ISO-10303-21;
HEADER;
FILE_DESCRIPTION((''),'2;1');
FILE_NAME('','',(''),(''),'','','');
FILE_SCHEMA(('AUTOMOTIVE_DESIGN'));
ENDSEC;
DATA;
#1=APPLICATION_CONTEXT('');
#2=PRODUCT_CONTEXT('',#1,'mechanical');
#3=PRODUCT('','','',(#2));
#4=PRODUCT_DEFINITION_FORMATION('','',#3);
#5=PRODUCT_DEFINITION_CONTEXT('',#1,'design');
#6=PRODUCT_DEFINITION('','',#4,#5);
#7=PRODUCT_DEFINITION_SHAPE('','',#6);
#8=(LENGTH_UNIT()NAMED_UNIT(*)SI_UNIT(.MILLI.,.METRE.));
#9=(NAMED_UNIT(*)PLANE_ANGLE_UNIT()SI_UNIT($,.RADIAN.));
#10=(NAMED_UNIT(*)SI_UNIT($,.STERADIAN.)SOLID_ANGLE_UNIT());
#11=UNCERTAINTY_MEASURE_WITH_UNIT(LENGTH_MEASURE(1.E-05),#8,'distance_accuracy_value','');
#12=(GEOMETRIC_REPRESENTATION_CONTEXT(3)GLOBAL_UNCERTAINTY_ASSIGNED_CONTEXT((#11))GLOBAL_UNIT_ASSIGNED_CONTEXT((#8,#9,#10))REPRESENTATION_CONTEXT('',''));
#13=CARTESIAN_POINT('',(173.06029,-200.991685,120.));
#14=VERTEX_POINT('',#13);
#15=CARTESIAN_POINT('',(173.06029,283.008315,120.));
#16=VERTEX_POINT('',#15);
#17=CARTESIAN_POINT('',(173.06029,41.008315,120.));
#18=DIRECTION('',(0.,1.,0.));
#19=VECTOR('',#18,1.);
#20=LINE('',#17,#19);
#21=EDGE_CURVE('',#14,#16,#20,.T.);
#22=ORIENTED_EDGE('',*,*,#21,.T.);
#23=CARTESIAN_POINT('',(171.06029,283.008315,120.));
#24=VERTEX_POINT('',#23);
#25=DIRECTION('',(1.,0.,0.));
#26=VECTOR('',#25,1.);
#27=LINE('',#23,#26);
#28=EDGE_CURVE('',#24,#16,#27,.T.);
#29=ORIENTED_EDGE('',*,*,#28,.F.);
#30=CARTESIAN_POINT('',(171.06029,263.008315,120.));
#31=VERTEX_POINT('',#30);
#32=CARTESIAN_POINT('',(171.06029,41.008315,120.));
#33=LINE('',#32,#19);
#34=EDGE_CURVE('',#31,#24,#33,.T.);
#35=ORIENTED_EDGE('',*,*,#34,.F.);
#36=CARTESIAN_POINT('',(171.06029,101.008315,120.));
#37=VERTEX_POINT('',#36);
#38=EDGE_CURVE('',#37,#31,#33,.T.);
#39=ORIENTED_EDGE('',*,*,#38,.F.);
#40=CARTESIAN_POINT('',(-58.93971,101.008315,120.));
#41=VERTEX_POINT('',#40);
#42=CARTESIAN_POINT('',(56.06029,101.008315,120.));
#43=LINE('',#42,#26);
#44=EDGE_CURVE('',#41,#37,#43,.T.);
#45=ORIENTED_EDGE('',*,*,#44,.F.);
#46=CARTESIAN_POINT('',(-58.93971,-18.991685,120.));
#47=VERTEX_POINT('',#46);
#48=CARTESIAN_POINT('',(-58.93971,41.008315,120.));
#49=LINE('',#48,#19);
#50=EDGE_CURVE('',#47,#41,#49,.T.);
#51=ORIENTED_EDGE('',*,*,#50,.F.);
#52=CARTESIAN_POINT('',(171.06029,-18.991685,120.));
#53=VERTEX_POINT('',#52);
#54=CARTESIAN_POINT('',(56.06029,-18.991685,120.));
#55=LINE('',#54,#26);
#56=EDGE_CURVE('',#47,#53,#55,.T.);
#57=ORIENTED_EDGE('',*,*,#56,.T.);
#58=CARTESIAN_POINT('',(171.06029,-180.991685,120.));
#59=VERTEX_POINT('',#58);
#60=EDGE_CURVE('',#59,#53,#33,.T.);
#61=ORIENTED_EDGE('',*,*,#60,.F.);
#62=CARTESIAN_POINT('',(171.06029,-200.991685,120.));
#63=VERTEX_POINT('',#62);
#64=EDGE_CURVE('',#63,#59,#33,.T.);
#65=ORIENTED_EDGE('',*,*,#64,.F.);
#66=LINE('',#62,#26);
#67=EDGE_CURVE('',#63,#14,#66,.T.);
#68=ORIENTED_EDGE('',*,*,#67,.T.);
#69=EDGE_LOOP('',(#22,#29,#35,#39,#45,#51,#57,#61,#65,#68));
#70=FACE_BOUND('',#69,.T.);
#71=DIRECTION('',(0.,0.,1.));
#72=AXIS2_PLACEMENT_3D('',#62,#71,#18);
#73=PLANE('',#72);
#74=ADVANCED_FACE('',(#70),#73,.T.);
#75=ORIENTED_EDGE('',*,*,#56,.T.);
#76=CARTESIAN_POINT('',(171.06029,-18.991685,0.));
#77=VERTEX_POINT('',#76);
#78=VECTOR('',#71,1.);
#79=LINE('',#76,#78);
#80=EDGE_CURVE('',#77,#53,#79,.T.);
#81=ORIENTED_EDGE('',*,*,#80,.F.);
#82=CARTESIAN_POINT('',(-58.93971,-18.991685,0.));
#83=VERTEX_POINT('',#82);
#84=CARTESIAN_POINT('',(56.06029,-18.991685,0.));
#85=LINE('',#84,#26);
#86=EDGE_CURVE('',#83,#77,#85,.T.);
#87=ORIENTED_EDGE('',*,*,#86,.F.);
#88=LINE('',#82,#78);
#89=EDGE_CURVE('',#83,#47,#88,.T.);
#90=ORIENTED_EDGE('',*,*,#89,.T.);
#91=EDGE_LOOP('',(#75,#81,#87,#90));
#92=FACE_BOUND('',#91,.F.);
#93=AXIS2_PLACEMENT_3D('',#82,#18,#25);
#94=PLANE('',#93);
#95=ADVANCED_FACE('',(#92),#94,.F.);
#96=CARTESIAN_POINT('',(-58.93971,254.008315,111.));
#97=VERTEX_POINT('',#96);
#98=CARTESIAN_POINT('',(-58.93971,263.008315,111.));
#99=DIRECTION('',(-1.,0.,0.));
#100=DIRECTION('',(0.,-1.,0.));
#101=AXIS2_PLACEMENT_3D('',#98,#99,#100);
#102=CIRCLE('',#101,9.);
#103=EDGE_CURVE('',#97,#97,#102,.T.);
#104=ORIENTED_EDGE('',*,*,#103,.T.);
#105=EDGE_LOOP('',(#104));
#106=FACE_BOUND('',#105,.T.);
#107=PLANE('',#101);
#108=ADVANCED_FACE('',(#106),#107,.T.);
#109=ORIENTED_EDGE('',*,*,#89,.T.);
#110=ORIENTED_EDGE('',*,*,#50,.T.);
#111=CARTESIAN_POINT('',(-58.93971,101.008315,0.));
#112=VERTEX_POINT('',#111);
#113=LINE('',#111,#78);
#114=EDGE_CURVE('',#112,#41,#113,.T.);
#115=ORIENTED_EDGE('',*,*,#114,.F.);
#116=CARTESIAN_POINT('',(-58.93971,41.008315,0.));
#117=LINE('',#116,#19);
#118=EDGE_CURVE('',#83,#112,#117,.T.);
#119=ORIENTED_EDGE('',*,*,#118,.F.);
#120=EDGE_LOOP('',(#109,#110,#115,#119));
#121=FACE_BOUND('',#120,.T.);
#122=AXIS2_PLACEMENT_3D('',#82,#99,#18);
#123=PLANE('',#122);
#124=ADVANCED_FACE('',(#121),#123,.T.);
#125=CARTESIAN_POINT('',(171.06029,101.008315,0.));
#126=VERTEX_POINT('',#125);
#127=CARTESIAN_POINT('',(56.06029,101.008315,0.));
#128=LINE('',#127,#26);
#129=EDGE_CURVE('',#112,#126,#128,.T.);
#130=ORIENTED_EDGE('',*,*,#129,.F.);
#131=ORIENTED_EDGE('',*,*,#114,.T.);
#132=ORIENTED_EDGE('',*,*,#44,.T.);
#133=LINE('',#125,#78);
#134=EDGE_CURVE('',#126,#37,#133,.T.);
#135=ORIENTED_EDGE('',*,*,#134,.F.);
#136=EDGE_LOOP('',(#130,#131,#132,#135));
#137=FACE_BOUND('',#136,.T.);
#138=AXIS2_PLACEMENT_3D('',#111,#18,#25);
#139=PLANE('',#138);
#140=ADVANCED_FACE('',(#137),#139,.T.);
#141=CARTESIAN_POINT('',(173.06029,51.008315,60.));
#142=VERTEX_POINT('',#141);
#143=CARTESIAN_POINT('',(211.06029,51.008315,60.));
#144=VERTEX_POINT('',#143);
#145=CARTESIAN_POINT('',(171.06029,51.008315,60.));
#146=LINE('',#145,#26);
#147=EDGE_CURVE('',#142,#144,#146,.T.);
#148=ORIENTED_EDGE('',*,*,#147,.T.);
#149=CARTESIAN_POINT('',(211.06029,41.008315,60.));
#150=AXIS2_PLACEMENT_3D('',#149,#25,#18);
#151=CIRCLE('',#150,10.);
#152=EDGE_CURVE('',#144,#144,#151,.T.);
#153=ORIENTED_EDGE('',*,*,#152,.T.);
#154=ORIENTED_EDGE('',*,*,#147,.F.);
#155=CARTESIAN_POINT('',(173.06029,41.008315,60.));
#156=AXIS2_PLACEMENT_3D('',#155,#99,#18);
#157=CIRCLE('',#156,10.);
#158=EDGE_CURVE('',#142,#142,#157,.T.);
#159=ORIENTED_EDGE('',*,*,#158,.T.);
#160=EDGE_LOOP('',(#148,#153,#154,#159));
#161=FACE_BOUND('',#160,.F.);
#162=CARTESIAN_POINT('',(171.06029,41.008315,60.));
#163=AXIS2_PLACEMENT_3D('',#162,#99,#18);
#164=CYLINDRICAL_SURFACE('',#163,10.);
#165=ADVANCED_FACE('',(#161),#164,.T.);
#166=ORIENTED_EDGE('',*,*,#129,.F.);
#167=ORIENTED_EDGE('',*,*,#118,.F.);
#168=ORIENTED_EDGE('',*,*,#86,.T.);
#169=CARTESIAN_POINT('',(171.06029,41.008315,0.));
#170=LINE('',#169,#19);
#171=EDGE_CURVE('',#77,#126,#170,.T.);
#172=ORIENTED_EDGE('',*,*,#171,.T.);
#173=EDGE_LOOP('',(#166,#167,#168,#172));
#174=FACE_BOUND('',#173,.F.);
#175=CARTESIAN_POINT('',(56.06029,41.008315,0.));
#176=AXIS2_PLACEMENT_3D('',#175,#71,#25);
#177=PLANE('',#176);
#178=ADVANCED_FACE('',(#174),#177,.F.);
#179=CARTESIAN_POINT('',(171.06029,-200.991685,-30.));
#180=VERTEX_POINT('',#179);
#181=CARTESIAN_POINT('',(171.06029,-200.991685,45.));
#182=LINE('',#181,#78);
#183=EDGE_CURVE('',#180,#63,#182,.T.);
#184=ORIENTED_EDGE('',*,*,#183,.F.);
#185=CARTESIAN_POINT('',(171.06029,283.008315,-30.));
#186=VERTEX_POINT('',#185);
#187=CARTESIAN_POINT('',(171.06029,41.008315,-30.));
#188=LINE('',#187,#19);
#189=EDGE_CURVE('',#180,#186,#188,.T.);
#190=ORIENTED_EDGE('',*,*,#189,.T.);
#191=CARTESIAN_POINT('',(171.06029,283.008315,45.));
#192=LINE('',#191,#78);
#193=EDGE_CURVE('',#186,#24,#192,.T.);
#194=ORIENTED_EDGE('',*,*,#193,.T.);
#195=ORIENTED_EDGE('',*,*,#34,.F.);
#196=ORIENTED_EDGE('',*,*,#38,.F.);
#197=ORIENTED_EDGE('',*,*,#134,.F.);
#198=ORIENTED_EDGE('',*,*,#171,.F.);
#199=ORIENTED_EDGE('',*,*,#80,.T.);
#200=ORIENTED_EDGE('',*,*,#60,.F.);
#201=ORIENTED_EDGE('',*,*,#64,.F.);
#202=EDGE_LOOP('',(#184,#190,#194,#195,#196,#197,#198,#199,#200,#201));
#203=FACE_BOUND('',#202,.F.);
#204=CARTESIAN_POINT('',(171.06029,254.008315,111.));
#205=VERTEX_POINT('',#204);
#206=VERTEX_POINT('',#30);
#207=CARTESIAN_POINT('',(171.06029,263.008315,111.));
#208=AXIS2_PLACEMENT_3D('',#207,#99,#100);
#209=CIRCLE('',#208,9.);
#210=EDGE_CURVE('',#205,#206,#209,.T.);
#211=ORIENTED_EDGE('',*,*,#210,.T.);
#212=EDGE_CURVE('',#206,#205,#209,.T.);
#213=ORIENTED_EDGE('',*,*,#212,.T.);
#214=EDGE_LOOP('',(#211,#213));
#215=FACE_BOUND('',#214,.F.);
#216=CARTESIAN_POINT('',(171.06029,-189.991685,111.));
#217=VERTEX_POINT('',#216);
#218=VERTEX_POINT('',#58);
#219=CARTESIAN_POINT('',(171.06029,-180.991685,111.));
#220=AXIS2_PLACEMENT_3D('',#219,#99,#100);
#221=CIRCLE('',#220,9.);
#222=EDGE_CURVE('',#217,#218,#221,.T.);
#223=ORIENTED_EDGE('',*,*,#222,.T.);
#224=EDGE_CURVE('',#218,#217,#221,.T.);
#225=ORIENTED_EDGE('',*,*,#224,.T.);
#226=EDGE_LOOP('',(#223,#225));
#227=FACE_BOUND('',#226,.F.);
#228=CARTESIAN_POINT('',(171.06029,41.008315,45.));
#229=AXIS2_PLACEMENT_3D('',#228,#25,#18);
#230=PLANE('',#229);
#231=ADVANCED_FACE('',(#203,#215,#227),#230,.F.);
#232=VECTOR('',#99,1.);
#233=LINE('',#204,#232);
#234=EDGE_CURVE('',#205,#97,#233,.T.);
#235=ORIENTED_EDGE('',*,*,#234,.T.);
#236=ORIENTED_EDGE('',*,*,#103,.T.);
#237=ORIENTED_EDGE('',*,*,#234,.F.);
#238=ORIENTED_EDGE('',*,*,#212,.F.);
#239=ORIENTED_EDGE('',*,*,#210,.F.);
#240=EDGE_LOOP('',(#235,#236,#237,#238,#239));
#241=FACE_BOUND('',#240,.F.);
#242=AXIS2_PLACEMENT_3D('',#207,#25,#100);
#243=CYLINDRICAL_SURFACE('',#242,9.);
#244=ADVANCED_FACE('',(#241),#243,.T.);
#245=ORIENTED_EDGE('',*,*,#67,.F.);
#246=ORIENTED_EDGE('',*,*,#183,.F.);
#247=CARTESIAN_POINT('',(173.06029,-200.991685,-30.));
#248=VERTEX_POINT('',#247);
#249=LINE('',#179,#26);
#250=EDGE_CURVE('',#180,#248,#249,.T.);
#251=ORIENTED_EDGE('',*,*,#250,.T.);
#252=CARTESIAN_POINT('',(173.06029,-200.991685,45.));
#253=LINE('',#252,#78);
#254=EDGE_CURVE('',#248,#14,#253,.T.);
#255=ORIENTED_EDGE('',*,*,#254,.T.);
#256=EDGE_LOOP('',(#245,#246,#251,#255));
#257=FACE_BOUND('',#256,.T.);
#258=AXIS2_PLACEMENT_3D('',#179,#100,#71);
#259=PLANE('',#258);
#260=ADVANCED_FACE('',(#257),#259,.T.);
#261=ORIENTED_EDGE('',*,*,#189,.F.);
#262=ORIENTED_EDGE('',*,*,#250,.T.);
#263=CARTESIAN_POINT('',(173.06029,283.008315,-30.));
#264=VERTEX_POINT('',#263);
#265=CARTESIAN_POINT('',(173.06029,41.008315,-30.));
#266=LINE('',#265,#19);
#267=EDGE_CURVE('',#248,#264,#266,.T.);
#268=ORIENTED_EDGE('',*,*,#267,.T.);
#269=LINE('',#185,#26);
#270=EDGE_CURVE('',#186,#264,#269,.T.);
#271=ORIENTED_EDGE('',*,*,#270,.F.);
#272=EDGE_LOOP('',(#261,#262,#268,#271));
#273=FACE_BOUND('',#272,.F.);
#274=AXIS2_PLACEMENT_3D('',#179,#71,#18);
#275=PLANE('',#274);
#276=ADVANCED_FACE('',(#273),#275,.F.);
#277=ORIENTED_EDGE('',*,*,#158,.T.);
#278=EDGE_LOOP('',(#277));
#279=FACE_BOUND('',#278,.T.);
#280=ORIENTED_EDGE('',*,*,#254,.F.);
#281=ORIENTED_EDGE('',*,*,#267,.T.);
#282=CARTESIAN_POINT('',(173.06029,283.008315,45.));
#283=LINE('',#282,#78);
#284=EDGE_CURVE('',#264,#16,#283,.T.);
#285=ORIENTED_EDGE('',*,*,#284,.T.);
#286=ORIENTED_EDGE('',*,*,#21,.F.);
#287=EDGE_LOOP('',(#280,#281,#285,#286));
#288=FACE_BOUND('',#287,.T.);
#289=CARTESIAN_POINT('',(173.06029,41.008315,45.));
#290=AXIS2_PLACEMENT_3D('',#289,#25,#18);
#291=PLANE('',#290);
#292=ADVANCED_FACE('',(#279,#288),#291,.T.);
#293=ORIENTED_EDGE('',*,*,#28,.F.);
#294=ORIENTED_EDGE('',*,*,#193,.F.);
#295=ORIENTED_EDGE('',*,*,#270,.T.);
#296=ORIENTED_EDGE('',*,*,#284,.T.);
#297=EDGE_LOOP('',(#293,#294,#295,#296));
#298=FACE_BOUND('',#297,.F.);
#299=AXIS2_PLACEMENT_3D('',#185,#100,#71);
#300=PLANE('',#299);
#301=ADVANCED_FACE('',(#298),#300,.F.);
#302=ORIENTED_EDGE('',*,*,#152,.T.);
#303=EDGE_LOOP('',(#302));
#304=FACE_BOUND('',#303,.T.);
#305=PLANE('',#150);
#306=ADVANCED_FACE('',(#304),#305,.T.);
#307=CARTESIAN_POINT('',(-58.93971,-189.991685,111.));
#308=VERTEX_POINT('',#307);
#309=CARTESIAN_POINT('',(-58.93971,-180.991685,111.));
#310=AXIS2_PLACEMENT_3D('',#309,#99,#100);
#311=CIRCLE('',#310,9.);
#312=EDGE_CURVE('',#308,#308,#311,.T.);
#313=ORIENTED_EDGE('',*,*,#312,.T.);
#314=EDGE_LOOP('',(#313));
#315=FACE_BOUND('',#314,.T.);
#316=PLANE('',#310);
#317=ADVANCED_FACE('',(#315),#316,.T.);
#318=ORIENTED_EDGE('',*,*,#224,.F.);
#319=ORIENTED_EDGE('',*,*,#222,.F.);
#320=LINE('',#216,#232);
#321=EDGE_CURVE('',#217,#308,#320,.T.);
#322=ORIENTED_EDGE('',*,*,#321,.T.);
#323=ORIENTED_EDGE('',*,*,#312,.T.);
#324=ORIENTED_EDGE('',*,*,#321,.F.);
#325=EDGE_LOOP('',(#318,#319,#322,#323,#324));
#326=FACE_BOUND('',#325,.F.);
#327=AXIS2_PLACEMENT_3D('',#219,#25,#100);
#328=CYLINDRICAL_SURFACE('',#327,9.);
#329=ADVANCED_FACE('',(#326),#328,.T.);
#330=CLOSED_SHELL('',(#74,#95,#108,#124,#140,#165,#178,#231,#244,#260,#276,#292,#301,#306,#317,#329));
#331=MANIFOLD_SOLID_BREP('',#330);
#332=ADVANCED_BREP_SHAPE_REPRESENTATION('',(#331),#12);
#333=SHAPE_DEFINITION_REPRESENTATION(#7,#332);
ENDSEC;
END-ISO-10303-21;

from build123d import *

# Parameters (mm, degrees)
F0_W     = 230
F0_H     = 120
F1_DEPTH = 120
F2_R     = 10
F3_DEPTH = 40
F4_W     = 484
F4_H     = 150
F5_DEPTH = 2
F6_R     = 9
F7_DEPTH = 230


with BuildPart() as f1:
    # F0 (on Top) → F1 (new body)
    with BuildSketch(Plane.XY):
        with Locations((56.06029, 41.008315)):
            Rectangle(F0_W, F0_H)
    extrude(amount=F1_DEPTH)

    # F2 (on face) → F3 (join)
    with BuildSketch(Plane.YZ.offset(171.06029)):
        with Locations((41.008315, 60)):
            Circle(F2_R)
    extrude(amount=F3_DEPTH)

    # F4 (on face) → F5 (join)
    with BuildSketch(Plane.YZ.offset(171.06029)):
        with Locations((41.008315, 45)):
            Rectangle(F4_W, F4_H)
    extrude(amount=F5_DEPTH)

    # F6 (on face) → F7 (join)
    with BuildSketch(Plane(origin=(171.06029, 0, 0), x_dir=(0, -1, 0), z_dir=(-1, 0, 0))):
        with Locations((180.991685, 111)):
            Circle(F6_R)
        with Locations((-263.008315, 111)):
            Circle(F6_R)
    extrude(amount=F7_DEPTH)


solid = f1.part
